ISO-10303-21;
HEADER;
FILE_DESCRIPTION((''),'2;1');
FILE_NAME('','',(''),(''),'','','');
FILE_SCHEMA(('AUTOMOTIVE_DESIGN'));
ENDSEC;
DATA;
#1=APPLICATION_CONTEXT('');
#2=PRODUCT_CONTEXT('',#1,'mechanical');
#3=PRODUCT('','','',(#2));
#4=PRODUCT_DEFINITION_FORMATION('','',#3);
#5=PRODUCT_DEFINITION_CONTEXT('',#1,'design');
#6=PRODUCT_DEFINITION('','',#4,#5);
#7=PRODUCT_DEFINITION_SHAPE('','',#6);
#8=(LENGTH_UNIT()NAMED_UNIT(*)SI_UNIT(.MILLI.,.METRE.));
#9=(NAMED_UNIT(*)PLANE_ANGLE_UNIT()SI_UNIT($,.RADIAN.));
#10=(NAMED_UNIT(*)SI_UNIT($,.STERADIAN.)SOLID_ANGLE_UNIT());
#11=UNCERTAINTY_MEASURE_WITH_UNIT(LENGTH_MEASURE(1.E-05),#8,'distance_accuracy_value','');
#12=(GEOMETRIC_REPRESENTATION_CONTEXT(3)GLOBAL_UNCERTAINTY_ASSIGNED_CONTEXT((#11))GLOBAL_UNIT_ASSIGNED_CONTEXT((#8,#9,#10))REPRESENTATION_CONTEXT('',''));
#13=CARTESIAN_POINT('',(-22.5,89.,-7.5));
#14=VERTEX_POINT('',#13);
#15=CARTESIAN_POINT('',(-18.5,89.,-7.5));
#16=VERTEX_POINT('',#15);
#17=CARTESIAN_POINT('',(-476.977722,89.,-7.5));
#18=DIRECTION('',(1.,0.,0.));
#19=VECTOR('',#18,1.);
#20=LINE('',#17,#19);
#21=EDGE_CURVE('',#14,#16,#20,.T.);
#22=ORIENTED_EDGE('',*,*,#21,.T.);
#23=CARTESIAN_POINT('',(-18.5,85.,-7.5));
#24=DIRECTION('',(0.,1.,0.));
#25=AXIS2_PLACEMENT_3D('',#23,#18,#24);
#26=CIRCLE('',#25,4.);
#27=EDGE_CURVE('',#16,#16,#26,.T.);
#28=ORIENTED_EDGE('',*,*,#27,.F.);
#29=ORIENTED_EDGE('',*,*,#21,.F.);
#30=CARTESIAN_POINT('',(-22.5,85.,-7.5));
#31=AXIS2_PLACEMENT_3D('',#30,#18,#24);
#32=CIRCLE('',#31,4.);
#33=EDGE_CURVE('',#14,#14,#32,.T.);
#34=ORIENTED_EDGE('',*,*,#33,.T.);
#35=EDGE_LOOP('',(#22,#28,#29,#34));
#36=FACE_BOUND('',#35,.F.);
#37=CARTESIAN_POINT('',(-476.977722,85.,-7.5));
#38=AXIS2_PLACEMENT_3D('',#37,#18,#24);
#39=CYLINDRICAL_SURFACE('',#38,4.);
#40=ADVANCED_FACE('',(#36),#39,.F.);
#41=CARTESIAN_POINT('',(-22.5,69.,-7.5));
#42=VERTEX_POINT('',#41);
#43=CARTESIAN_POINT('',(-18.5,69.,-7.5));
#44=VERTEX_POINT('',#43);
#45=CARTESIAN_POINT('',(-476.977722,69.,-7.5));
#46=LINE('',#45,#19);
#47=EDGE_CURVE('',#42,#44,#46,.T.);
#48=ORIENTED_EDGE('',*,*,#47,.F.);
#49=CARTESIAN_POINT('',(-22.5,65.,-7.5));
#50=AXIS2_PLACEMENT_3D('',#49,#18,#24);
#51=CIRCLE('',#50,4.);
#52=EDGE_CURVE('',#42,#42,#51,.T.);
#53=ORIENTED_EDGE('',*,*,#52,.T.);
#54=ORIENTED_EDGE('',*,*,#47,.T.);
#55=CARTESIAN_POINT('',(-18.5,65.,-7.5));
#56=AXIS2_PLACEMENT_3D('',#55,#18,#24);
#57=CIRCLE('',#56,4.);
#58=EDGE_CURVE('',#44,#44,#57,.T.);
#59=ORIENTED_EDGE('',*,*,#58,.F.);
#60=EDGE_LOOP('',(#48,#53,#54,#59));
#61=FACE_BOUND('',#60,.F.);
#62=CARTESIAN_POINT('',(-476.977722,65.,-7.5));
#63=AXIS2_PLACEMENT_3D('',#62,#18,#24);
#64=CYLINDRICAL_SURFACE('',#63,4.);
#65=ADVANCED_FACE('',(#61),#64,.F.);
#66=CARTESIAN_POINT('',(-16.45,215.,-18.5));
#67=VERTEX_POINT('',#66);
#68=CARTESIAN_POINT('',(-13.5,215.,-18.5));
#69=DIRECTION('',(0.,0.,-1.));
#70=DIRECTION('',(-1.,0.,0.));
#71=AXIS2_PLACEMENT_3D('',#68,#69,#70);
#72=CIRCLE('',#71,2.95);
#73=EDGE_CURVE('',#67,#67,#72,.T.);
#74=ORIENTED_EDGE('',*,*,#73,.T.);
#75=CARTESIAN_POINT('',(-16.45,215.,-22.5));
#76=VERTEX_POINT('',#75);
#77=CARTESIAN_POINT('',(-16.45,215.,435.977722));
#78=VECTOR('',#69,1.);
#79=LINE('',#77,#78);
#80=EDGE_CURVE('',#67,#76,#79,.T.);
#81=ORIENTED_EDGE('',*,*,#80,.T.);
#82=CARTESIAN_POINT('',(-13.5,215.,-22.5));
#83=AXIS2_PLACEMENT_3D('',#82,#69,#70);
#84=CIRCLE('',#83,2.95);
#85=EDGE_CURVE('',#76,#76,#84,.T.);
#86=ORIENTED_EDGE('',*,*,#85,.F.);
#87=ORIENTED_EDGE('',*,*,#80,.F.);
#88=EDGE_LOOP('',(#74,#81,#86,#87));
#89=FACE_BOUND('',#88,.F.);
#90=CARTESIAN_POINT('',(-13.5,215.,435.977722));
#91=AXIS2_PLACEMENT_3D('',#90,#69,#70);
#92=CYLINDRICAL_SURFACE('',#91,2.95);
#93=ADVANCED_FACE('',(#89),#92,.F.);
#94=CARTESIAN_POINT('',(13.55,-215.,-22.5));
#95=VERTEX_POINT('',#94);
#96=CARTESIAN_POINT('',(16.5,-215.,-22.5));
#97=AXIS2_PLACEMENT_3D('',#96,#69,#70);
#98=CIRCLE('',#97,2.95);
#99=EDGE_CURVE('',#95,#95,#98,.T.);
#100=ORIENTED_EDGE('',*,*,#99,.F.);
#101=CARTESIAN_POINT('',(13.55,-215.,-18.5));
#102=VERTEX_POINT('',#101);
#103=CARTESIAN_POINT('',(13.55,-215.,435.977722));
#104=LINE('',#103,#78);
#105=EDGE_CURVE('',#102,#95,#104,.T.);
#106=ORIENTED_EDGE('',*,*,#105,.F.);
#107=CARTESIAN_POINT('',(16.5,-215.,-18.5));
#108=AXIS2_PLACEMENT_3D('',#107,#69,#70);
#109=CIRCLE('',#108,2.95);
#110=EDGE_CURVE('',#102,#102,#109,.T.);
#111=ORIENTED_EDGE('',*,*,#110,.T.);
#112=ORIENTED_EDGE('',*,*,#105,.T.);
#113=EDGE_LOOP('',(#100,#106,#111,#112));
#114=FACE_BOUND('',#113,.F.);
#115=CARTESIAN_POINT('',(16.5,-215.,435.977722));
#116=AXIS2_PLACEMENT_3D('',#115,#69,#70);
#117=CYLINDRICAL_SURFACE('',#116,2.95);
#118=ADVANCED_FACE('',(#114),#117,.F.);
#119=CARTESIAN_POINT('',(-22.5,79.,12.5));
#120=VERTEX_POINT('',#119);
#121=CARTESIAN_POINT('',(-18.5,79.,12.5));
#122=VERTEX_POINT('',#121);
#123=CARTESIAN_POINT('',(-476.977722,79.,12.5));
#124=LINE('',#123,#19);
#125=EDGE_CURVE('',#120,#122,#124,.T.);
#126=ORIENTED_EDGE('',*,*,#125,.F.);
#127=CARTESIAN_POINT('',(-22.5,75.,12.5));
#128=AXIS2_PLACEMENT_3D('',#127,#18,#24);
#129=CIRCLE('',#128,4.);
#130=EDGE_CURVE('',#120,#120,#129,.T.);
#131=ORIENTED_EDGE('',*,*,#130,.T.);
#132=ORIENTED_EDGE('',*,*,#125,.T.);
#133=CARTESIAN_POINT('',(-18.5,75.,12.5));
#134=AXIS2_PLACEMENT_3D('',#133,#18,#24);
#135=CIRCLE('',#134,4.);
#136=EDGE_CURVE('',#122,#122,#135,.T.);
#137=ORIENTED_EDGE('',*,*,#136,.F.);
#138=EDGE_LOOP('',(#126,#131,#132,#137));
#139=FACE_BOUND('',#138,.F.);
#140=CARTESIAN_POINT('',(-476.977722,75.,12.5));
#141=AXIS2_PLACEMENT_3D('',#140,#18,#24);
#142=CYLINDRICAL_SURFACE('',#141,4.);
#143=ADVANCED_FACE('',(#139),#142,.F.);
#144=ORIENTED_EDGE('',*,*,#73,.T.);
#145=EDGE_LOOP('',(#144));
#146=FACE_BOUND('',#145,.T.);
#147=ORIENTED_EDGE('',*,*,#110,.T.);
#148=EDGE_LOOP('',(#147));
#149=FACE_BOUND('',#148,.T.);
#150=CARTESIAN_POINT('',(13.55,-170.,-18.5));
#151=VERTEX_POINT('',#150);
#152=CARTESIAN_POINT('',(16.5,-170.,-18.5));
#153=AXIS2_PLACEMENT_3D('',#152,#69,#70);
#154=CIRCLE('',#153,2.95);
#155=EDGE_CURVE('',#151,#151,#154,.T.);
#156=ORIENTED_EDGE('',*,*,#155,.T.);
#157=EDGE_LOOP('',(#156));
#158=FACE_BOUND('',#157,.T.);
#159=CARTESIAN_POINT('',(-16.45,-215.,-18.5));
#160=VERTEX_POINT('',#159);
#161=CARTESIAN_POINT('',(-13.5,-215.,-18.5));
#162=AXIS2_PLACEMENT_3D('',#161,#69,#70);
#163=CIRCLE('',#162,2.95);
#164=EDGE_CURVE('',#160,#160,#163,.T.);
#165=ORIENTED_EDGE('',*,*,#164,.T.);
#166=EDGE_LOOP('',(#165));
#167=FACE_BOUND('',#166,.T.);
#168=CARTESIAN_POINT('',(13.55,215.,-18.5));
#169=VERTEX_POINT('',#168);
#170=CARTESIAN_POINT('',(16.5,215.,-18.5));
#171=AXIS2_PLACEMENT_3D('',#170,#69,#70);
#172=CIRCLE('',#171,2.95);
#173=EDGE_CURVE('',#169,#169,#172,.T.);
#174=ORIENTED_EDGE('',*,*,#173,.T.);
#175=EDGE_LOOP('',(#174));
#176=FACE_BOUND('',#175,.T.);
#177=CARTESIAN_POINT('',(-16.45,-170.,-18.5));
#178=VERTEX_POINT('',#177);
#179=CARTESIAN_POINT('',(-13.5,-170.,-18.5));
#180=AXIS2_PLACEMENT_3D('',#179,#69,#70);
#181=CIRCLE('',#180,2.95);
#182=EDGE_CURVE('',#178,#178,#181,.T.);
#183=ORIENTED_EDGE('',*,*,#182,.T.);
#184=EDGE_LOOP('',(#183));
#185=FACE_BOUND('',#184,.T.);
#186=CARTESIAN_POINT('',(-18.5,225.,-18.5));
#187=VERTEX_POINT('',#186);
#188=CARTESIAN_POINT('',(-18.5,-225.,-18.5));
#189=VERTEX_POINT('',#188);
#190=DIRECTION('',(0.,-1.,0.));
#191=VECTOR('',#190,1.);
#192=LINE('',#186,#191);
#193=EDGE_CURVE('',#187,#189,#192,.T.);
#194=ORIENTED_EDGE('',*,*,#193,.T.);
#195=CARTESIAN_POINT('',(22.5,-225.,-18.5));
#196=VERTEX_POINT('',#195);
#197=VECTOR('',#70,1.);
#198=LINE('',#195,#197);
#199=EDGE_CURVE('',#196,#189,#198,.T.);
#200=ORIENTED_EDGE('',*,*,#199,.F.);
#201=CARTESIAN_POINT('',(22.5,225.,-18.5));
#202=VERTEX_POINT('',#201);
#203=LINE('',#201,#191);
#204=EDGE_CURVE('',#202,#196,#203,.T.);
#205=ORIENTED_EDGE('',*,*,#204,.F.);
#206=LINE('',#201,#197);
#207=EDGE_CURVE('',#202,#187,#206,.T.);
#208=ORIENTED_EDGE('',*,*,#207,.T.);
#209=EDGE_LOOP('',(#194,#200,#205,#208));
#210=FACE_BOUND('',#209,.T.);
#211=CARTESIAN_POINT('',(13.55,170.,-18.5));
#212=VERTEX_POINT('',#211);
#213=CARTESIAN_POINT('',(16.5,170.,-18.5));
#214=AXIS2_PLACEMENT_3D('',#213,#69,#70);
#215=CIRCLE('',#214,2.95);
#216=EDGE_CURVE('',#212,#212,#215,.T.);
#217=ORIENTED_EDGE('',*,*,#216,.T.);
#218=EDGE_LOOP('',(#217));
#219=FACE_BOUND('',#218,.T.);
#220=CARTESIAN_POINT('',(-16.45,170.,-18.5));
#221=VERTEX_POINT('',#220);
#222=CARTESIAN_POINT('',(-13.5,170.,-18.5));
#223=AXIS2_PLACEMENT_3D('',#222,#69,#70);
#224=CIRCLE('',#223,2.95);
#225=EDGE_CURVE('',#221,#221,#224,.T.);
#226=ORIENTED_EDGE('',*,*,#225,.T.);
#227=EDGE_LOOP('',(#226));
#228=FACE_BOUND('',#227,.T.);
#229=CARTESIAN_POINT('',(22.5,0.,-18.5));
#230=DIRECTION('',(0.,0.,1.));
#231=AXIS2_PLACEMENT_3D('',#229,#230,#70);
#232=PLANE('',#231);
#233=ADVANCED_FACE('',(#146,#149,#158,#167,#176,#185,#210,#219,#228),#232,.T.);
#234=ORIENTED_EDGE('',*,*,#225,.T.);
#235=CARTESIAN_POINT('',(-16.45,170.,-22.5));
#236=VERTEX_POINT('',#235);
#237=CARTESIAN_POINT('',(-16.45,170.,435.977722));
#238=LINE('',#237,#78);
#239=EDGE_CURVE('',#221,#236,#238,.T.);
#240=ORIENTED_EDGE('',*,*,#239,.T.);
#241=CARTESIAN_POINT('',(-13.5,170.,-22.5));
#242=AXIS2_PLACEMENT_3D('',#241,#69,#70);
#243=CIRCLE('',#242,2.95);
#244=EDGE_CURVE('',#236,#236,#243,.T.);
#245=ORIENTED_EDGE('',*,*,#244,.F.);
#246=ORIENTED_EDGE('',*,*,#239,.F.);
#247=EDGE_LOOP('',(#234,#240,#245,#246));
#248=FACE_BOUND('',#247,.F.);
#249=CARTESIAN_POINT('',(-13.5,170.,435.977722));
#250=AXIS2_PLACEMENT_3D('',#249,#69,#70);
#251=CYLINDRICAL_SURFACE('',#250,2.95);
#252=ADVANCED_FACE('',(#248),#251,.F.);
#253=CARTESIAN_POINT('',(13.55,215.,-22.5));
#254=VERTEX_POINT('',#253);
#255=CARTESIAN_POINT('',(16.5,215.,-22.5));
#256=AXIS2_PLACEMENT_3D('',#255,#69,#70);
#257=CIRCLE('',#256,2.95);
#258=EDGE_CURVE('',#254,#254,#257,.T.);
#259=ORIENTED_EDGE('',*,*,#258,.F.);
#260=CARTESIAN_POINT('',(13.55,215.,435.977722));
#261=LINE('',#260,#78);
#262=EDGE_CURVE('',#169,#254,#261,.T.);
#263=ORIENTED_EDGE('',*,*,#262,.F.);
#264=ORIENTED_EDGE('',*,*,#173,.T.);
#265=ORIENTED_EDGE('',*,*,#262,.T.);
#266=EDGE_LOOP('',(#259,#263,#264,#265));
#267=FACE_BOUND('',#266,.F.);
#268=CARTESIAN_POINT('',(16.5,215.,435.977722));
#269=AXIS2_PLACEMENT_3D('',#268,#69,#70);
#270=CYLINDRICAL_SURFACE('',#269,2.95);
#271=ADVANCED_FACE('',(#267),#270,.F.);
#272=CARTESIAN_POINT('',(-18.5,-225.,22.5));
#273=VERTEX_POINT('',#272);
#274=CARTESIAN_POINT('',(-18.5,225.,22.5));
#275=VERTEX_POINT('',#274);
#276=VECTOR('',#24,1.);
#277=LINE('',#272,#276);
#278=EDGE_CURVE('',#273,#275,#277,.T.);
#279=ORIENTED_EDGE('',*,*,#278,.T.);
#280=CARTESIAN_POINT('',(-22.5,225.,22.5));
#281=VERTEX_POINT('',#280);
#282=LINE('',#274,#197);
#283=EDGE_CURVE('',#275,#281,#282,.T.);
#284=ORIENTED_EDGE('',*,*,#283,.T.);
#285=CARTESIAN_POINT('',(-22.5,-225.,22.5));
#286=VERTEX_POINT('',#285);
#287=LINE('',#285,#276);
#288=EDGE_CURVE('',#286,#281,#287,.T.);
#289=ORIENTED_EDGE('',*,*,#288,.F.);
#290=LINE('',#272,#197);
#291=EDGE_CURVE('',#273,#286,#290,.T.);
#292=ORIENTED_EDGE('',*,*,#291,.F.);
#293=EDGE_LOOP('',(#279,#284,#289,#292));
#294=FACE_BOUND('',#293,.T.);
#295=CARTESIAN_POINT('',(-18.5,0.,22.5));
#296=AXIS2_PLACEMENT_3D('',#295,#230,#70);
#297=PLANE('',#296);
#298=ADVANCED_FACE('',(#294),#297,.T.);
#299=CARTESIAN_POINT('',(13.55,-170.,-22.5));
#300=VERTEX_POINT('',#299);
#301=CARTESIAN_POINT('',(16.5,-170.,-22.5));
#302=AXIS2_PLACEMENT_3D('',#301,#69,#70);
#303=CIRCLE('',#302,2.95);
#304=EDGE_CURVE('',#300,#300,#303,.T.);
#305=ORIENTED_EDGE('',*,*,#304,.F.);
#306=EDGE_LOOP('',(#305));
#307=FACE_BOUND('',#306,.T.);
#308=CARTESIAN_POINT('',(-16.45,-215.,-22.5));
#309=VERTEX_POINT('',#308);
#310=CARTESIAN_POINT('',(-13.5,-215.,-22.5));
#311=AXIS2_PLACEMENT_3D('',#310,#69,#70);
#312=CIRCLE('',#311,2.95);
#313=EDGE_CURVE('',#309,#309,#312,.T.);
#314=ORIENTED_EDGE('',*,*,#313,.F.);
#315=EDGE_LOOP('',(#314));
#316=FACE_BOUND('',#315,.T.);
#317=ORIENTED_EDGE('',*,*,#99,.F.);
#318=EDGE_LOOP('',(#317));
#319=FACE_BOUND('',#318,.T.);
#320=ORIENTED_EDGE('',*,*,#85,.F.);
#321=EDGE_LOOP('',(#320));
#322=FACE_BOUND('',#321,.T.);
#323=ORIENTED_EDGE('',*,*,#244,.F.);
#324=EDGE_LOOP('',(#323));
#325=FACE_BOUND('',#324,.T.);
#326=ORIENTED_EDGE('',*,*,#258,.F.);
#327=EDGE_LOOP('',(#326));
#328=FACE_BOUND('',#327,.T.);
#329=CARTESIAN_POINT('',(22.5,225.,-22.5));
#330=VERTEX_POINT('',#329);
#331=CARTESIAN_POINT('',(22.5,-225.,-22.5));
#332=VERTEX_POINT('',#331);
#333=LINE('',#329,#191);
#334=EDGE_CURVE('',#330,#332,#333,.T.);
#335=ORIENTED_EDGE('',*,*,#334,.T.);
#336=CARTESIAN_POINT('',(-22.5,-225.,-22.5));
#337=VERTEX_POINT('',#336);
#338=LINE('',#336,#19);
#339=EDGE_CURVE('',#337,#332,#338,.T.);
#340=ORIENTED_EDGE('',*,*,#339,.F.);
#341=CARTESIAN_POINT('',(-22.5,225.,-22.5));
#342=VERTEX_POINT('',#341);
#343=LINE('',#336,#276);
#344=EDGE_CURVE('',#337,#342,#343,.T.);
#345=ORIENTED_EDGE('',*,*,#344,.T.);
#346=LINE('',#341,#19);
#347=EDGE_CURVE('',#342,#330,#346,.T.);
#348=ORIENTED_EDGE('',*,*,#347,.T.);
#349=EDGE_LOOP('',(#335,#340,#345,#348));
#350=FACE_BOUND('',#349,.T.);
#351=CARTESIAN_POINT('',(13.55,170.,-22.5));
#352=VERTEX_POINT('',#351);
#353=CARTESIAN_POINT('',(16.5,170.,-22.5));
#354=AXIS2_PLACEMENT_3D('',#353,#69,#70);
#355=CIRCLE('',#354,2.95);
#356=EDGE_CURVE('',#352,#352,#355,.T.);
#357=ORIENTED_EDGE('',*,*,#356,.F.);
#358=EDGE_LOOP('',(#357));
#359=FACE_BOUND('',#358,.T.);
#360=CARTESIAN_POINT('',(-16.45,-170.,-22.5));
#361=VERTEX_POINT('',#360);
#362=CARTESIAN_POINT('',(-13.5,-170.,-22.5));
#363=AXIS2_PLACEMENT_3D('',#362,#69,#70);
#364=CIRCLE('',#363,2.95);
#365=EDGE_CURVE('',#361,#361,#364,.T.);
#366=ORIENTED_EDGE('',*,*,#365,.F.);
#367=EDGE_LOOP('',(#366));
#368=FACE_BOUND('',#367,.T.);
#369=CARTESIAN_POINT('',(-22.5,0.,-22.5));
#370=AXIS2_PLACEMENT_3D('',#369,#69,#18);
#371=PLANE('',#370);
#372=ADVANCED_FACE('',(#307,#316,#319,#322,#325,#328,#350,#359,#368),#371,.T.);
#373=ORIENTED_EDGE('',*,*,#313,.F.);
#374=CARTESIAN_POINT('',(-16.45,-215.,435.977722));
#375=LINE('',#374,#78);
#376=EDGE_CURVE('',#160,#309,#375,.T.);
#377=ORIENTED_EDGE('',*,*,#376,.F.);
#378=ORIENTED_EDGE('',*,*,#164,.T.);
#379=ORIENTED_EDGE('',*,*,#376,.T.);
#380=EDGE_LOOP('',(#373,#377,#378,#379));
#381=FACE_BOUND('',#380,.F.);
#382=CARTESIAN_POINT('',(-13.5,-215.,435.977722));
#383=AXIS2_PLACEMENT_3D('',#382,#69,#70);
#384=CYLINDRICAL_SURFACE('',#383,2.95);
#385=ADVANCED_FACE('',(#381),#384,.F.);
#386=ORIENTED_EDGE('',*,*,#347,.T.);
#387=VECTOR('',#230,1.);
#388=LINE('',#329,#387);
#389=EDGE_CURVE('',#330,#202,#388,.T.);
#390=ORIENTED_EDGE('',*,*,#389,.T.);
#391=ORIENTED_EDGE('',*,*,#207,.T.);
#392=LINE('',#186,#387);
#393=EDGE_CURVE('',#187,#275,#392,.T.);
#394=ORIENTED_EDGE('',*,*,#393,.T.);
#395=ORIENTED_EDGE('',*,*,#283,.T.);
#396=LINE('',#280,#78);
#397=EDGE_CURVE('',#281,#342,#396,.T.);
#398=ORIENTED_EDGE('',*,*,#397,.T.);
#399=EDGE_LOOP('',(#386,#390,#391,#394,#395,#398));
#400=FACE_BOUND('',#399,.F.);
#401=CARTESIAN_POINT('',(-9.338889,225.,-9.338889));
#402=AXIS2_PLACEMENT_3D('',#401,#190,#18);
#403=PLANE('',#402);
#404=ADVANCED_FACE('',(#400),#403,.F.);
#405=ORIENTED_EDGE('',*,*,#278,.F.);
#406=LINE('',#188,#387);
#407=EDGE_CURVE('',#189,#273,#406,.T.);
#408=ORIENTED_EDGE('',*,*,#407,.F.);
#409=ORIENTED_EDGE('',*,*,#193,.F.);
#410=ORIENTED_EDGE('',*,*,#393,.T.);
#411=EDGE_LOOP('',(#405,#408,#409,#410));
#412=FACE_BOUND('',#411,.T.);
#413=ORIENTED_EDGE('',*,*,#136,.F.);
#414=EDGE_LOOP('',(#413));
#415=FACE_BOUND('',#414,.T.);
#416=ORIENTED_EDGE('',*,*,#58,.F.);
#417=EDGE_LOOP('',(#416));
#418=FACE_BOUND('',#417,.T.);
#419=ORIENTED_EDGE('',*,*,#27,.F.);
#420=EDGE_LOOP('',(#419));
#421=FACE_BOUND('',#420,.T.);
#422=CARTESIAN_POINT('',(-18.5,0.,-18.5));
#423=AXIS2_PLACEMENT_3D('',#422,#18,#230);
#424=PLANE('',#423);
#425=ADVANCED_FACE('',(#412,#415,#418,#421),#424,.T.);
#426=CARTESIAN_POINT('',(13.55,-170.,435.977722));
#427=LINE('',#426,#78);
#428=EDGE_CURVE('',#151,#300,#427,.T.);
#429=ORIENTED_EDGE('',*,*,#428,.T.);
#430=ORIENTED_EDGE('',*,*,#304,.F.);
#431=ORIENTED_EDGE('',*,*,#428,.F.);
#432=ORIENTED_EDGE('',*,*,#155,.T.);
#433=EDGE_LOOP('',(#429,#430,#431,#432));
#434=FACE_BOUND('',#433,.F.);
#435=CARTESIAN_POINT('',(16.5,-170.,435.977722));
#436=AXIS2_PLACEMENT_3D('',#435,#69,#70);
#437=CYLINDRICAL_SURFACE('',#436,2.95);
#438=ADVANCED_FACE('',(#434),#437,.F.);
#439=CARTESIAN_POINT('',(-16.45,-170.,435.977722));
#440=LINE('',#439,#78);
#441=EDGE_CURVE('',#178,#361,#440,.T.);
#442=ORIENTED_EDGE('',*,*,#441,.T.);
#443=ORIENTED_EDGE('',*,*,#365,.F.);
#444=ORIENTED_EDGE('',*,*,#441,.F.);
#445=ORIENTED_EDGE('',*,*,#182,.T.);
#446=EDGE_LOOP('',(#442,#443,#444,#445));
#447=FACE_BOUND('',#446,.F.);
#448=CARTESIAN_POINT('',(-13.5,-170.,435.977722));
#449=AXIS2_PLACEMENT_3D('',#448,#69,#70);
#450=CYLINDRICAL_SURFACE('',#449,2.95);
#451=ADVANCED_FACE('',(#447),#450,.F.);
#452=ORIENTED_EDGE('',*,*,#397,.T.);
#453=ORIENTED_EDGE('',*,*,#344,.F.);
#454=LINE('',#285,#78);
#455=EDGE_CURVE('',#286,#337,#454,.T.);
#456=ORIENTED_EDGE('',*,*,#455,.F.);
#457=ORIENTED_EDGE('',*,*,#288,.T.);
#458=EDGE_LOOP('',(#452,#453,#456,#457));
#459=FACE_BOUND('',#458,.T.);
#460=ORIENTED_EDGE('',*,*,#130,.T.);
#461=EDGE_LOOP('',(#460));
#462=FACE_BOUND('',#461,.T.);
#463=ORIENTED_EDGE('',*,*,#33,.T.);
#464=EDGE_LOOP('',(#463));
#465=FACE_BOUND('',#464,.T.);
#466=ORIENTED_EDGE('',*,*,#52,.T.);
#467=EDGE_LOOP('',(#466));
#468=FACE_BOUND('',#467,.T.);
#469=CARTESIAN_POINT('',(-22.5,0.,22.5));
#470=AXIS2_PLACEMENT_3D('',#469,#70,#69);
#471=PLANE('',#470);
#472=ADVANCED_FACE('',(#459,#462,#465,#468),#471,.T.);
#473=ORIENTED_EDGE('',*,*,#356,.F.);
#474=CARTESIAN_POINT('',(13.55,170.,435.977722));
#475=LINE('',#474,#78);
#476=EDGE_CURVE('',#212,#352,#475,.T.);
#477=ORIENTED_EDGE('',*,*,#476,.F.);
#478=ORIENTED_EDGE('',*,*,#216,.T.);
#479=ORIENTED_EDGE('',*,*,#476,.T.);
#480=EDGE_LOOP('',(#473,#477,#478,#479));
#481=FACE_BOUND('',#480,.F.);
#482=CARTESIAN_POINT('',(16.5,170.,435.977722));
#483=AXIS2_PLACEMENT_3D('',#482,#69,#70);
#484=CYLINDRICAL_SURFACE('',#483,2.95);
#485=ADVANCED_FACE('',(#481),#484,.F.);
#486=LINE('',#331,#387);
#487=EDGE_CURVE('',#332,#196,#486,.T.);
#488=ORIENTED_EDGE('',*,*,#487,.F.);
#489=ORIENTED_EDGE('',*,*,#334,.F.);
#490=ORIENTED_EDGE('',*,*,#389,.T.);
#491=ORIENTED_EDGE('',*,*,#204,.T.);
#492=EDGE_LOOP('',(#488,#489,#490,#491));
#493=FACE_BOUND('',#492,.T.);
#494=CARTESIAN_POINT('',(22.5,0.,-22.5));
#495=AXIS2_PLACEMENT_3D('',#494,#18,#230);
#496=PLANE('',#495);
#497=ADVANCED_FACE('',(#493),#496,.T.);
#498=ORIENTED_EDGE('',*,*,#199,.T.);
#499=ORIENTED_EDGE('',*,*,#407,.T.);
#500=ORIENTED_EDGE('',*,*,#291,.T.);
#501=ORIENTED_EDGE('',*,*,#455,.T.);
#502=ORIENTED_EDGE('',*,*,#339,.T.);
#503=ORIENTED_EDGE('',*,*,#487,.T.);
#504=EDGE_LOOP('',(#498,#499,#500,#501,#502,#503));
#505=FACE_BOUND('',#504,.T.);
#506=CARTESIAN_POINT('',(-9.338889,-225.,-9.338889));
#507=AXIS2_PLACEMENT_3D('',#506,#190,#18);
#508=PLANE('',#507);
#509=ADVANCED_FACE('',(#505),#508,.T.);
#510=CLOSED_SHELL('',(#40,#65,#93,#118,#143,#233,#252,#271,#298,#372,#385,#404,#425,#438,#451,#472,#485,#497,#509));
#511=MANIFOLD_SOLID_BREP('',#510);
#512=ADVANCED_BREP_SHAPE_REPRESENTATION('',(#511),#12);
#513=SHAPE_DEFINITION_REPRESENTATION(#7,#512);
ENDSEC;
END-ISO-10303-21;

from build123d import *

# Parameters (mm, degrees)
F1_DEPTH = 225
F3_D     = 8
F5_D     = 5.9


with BuildPart() as f1:
    # F0 (on Front) → F1 (new body, symmetric)
    with BuildSketch(Plane.XZ):
        Polygon((-22.5, -22.5), (22.5, -22.5), (22.5, -18.5), (-18.5, -18.5), (-18.5, 22.5), (-22.5, 22.5), align=None)
    extrude(amount=F1_DEPTH, both=True)

    # F3 (through all)
    with Locations(Plane(origin=(-22.5, 0, 0), x_dir=(0, -1, 0), z_dir=(-1, 0, 0))):
        with Locations((-75, 12.5), (-85, -7.5), (-65, -7.5)):
            Hole(F3_D / 2)

    # F5 (through all)
    with Locations(Plane.XY.offset(-18.5)):
        with Locations((-13.5, -170), (16.5, -170), (16.5, -215), (-13.5, -215), (-13.5, 215), (16.5, 215), (16.5, 170), (-13.5, 170)):
            Hole(F5_D / 2)


solid = f1.part
